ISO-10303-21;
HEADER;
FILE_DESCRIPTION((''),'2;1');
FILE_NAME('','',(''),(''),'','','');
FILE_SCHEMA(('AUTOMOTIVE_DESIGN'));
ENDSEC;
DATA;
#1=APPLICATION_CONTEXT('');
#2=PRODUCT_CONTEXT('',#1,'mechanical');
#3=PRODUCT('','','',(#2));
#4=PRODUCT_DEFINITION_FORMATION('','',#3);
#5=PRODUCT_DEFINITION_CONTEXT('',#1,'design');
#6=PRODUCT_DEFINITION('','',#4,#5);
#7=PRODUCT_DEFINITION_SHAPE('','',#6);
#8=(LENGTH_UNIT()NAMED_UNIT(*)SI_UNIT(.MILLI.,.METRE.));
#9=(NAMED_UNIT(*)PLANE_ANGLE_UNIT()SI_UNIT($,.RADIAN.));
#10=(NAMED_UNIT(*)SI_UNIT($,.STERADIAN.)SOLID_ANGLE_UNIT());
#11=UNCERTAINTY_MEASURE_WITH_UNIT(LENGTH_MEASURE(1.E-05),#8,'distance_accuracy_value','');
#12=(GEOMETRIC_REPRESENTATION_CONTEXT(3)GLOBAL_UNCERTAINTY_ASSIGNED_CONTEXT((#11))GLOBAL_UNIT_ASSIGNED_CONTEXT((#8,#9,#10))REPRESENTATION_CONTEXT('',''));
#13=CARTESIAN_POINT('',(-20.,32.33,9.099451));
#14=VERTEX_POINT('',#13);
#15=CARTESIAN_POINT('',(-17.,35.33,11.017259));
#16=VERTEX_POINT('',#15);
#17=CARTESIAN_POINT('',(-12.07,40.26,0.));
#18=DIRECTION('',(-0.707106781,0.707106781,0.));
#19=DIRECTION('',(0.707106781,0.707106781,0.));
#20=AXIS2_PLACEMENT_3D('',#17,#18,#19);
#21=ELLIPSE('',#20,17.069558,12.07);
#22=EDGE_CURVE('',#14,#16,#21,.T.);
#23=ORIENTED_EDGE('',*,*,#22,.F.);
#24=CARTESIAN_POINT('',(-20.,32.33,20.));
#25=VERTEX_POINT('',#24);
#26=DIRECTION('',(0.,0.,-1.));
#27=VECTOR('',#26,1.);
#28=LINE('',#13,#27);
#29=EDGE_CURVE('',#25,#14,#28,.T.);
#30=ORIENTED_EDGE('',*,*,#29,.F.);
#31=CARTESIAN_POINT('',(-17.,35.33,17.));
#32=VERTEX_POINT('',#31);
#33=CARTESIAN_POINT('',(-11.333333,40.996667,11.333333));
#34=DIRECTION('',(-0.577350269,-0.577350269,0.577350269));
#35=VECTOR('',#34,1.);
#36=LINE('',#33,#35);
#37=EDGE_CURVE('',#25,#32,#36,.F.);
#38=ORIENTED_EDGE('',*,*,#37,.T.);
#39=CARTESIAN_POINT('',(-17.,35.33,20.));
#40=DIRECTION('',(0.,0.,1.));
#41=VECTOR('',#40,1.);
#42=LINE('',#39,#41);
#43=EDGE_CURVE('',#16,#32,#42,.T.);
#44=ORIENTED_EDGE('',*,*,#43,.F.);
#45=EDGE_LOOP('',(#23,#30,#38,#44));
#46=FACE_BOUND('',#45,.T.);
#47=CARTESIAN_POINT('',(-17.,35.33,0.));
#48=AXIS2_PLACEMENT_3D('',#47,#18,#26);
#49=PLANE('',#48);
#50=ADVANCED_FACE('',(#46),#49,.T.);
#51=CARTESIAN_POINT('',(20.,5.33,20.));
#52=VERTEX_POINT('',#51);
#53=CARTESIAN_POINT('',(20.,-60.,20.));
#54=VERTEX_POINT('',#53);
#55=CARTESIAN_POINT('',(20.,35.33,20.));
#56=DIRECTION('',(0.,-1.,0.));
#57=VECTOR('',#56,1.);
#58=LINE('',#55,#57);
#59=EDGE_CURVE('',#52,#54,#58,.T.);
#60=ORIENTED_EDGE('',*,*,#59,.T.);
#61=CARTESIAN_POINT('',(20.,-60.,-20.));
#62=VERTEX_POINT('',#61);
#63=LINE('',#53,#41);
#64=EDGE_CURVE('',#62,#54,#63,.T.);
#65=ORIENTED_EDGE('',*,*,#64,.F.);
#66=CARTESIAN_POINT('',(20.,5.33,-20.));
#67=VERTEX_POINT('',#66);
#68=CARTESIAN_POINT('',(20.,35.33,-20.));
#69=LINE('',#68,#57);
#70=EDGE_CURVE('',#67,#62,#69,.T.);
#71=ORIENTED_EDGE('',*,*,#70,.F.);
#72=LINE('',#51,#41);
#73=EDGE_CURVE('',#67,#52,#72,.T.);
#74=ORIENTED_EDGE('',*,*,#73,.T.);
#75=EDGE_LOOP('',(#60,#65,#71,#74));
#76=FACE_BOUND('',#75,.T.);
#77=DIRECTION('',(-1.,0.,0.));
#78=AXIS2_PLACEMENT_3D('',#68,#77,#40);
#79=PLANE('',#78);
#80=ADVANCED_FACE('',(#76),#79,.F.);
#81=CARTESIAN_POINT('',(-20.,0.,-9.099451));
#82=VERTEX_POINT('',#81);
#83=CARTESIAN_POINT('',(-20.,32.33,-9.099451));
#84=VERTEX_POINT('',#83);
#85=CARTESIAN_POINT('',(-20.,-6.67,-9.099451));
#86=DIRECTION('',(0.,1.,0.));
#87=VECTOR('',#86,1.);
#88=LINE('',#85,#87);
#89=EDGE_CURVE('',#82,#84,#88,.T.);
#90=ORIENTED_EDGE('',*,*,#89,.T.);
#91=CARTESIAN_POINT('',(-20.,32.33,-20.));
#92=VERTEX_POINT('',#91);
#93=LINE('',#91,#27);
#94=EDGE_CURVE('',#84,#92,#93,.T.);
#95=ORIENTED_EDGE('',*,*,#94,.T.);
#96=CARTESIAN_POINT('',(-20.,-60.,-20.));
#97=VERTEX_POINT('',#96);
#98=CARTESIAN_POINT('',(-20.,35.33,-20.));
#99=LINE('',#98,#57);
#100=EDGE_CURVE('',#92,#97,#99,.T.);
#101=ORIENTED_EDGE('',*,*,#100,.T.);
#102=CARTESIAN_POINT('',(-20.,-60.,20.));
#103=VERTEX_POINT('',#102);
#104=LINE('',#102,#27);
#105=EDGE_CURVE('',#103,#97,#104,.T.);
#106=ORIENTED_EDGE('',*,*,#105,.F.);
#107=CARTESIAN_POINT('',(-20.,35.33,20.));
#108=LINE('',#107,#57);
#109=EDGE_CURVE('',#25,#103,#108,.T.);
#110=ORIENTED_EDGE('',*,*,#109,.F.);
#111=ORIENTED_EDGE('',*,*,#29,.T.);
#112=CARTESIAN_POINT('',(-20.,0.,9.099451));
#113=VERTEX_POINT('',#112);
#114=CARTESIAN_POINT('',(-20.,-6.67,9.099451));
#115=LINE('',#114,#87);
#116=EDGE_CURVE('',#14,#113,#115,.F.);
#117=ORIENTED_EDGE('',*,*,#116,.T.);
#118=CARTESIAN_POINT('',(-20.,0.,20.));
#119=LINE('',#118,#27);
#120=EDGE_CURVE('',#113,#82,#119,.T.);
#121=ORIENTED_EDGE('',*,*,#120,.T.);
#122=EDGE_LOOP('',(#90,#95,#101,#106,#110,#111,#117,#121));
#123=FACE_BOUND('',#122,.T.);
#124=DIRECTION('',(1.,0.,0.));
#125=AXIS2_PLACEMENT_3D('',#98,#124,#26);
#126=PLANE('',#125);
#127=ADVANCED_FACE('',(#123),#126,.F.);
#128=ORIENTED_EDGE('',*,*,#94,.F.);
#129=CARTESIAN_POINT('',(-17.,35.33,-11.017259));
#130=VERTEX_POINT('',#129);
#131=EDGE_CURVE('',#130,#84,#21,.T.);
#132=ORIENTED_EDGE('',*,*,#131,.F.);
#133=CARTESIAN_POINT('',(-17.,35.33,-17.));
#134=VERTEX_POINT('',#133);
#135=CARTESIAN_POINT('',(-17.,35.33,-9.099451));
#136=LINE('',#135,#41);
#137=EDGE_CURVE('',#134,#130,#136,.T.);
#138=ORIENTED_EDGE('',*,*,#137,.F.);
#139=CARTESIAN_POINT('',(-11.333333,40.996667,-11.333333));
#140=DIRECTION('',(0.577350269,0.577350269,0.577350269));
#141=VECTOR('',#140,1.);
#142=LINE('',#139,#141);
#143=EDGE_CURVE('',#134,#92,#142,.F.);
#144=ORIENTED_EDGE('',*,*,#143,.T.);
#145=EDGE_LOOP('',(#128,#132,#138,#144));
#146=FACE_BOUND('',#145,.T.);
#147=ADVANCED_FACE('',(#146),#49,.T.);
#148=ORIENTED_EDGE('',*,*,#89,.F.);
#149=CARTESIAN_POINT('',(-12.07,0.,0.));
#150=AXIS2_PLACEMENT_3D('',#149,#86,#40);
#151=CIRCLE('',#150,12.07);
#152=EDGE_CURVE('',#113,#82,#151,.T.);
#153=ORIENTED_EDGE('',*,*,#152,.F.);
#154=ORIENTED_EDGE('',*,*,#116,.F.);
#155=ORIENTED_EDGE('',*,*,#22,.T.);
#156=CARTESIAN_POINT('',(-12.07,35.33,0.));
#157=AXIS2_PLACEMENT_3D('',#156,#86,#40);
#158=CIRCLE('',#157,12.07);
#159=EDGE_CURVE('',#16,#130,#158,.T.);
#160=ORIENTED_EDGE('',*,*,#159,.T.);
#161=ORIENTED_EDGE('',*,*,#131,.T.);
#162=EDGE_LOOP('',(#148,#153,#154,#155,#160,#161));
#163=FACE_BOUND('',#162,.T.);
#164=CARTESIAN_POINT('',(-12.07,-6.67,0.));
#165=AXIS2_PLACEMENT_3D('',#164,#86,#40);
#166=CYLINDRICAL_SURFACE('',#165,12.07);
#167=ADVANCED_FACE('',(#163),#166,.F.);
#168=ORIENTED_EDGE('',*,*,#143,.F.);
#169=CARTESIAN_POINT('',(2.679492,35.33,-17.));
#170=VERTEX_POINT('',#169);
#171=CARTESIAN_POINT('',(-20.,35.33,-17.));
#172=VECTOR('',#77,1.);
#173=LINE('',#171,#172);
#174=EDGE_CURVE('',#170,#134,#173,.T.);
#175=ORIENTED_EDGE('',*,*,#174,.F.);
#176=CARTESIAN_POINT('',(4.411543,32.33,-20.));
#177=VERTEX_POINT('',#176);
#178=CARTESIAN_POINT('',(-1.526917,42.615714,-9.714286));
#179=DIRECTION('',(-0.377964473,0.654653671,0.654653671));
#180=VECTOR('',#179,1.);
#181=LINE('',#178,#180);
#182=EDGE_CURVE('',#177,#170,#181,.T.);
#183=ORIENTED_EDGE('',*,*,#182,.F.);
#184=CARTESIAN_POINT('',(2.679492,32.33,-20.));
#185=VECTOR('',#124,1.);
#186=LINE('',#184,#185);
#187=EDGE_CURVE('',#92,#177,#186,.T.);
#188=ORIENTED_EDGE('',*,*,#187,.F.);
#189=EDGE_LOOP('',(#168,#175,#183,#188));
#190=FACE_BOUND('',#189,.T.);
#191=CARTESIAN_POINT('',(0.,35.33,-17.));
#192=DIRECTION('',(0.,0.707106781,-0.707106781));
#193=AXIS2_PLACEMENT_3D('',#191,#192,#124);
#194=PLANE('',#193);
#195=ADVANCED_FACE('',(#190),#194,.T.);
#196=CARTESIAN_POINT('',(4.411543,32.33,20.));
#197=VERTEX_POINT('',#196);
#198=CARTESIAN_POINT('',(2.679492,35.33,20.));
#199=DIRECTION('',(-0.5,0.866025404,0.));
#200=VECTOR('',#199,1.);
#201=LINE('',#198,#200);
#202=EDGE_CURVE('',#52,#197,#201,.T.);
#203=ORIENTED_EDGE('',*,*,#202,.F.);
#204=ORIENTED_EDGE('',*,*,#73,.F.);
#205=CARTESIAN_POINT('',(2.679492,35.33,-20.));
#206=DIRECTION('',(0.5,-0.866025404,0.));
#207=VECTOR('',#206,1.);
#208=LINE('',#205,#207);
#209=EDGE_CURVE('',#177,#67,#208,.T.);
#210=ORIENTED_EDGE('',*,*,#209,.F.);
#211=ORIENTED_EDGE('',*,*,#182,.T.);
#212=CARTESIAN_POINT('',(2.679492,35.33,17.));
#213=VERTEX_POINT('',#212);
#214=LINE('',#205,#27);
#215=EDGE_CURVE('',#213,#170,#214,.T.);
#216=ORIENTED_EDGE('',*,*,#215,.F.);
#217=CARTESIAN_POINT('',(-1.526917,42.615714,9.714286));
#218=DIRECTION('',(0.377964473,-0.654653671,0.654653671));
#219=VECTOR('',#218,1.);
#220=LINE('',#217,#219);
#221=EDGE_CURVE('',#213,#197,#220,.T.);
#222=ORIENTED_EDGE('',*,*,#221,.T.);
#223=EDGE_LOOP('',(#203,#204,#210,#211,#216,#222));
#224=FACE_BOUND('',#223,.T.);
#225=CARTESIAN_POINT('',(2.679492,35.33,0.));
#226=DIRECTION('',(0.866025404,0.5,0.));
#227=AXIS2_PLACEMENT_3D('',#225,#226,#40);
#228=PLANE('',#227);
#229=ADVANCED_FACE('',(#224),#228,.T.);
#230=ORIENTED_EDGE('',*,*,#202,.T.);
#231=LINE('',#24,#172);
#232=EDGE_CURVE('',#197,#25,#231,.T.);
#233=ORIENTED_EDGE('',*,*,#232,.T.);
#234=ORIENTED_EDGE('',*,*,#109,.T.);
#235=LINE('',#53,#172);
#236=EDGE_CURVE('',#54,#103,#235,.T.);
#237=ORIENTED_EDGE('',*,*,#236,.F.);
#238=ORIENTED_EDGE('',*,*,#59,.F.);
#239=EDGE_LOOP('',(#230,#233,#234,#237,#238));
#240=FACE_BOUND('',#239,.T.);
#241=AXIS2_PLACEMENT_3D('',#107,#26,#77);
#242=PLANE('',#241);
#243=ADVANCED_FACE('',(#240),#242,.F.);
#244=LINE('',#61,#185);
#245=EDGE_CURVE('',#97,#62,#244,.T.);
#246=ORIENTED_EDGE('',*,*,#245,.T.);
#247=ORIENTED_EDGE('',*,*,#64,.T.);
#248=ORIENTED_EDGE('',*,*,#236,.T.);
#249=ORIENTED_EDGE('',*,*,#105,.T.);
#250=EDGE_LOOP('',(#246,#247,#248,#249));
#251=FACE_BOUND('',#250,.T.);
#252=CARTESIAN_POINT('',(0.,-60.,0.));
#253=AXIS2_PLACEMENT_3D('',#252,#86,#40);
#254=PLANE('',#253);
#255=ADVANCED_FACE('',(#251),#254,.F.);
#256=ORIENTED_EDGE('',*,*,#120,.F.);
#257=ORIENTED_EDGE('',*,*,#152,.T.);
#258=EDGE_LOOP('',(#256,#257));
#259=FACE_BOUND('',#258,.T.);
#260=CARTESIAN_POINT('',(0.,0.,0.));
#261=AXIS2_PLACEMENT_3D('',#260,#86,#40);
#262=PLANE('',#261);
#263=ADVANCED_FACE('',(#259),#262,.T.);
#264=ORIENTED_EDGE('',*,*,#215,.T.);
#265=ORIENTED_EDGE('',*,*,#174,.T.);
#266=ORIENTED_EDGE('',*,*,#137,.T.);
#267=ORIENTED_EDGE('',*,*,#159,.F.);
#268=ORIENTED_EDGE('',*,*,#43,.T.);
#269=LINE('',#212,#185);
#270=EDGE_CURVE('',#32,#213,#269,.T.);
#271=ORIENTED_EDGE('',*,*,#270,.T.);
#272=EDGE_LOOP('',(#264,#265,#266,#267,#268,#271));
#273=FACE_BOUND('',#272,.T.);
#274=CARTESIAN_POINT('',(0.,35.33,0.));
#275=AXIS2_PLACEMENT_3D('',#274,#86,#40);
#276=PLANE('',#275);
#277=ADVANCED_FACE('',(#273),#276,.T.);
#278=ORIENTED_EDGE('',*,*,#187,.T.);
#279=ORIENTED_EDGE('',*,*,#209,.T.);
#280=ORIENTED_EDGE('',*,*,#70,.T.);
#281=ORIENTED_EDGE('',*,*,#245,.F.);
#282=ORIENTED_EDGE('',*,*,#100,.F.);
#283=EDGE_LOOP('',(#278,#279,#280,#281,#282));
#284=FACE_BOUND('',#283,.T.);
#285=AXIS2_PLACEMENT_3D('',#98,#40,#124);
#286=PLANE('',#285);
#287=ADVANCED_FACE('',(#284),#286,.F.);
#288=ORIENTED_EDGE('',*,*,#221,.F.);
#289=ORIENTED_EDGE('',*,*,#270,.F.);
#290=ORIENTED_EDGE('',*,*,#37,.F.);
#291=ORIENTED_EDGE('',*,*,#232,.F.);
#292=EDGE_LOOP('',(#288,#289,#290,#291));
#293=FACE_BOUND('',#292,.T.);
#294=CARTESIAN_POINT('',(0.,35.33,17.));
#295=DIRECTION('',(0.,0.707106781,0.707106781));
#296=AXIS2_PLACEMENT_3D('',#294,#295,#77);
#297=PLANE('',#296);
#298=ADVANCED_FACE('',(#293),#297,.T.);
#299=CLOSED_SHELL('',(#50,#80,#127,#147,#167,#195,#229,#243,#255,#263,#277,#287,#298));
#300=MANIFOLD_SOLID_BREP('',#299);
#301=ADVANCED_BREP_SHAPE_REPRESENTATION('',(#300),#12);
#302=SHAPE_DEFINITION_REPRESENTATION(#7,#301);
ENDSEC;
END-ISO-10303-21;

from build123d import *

# Parameters (mm, degrees)
SKETCH1_W           = 40
SKETCH1_H           = 40
BOSS_EXTRUDE1_DEPTH = 35.33
SKETCH2_R           = 12.07
CUT_EXTRUDE1_DEPTH  = 42
SKETCH3_W           = 40
SKETCH3_H           = 40
BOSS_EXTRUDE2_DEPTH = 60
CHAMFER1_SIZE       = 30
CHAMFER1_SIZE2      = 17.320508076
CHAMFER2_SIZE       = 3


with BuildPart() as part:
    # Sketch1 → Boss-Extrude1 (new body)
    with BuildSketch(Plane(origin=(0, 0, 0), x_dir=(1, 0, 0), z_dir=(0, 1, 0))):
        Rectangle(SKETCH1_W, SKETCH1_H)
    extrude(amount=BOSS_EXTRUDE1_DEPTH)

    # Sketch2 → Cut-Extrude1 (cut)
    with BuildSketch(Plane(origin=(0, 35.33, 0), x_dir=(1, 0, 0), z_dir=(0, 1, 0))):
        with Locations((-12.07, 0)):
            Circle(SKETCH2_R)
    extrude(amount=-CUT_EXTRUDE1_DEPTH, mode=Mode.SUBTRACT)

    # Sketch3 → Boss-Extrude2 (add)
    with BuildSketch(Plane.XZ):
        Rectangle(SKETCH3_W, SKETCH3_H)
    extrude(amount=BOSS_EXTRUDE2_DEPTH)

    # Chamfer1
    chamfer1_edges = [part.edges().sort_by_distance(p)[0] for p in [
        (20, 35.33, 0),
    ]]
    chamfer1_side = [part.faces().sort_by_distance(p)[0] for p in [
        (20, -12.335, 0),
    ]]
    chamfer(chamfer1_edges, length=CHAMFER1_SIZE, length2=CHAMFER1_SIZE2, reference=chamfer1_side[0])

    # Chamfer2
    chamfer2_edges = [part.edges().sort_by_distance(p)[0] for p in [
        (-20, 35.33, -14.549725266),
        (-20, 35.33, 14.549725266),
        (-8.660254038, 35.33, 20),
        (-8.660254038, 35.33, -20),
    ]]
    chamfer(chamfer2_edges, length=CHAMFER2_SIZE)


solid = part.part
